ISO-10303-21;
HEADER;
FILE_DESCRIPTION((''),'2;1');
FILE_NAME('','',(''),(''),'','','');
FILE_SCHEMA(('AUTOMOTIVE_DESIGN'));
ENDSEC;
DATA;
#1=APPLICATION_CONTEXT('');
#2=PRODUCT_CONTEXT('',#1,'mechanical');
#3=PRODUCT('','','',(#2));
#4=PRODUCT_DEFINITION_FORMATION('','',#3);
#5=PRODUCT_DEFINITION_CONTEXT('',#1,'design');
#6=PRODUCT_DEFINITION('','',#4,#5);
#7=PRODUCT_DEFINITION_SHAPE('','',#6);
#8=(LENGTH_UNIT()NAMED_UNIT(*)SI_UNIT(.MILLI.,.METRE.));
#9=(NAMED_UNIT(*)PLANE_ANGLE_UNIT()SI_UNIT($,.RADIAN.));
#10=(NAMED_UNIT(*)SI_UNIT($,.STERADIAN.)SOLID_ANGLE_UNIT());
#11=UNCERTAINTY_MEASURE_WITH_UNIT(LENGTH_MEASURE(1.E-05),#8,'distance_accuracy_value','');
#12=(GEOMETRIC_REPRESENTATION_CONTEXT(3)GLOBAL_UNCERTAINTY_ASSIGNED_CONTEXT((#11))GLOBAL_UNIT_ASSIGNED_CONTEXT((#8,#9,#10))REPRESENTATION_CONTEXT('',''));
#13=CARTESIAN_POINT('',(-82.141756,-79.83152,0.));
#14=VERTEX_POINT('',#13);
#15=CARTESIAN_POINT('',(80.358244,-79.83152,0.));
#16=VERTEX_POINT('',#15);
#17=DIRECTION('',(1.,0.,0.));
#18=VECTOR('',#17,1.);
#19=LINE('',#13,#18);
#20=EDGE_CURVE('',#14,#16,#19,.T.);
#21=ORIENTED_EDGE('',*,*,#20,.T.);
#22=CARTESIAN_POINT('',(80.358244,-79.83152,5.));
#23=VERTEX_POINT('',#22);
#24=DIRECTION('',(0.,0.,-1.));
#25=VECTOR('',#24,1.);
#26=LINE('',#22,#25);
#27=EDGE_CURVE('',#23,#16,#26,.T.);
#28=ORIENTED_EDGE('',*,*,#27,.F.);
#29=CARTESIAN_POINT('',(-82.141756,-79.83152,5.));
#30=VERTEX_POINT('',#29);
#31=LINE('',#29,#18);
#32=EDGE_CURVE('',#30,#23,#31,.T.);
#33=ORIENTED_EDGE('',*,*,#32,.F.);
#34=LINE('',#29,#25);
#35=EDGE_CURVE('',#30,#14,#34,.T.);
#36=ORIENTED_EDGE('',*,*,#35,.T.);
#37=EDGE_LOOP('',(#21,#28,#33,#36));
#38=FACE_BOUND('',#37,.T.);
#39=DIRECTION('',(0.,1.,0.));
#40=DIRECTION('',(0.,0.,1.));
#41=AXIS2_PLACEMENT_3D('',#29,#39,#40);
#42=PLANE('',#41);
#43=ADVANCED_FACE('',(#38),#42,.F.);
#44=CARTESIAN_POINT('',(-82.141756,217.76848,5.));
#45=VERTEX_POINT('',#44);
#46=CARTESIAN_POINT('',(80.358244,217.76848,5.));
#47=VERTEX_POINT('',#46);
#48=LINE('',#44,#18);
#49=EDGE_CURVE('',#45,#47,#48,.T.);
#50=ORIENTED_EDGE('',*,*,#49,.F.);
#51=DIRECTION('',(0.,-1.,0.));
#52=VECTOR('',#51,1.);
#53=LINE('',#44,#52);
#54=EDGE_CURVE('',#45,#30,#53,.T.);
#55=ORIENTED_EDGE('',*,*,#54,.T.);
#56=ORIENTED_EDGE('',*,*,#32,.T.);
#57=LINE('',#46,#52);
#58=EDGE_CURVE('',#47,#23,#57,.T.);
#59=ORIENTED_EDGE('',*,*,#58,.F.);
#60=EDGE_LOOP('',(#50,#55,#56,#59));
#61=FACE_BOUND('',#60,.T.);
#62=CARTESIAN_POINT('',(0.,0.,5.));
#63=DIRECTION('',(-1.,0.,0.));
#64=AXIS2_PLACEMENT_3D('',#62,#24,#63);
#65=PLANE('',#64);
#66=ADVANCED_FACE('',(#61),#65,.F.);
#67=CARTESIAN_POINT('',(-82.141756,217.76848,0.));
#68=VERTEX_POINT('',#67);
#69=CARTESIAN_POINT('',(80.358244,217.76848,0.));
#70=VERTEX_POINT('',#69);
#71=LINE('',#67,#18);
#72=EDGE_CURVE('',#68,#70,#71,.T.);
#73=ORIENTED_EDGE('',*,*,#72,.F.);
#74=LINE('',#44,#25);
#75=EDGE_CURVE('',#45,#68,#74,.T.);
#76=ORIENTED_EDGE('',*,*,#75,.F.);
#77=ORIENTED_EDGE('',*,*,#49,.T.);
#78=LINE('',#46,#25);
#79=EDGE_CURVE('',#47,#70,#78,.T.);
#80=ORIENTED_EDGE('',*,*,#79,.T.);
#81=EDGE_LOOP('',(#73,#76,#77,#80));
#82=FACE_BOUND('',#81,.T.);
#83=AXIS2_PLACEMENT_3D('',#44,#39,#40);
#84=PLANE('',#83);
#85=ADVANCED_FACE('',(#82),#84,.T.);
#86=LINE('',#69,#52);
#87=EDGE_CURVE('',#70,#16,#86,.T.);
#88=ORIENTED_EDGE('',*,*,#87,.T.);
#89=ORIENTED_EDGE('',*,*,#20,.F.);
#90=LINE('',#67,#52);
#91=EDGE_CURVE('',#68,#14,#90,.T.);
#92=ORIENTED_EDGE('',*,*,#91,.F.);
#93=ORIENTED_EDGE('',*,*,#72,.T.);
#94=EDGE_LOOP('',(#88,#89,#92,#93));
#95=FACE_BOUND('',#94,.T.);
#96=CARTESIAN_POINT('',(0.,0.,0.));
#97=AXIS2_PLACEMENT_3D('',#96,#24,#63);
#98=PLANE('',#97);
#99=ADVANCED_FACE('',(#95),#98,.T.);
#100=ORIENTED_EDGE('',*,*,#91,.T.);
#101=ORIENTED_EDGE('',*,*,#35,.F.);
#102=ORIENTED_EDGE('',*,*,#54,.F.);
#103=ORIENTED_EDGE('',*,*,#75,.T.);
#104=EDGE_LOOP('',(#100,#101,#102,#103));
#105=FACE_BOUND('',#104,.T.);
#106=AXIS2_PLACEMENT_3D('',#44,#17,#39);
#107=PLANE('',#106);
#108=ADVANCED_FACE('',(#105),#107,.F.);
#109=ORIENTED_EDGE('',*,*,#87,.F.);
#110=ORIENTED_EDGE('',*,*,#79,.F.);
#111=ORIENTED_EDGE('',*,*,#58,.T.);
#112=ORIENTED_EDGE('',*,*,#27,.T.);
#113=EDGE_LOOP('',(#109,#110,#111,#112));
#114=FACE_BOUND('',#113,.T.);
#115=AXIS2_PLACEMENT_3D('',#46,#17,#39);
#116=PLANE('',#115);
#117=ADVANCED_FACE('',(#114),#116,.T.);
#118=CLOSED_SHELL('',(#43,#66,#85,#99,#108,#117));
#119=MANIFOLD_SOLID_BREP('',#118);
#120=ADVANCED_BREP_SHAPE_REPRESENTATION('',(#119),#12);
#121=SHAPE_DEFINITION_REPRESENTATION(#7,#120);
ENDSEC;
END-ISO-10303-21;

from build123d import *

# Parameters (mm, degrees)
ESQUISSE1_W        = 162.5
ESQUISSE1_H        = 297.6
BOSS_EXTRU_2_DEPTH = 5


with BuildPart() as part:
    # Esquisse1 → Boss.-Extru.2 (new body)
    with BuildSketch(Plane.XY):
        with Locations((-0.891756472, 68.968480429)):
            Rectangle(ESQUISSE1_W, ESQUISSE1_H)
    extrude(amount=BOSS_EXTRU_2_DEPTH)


solid = part.part
